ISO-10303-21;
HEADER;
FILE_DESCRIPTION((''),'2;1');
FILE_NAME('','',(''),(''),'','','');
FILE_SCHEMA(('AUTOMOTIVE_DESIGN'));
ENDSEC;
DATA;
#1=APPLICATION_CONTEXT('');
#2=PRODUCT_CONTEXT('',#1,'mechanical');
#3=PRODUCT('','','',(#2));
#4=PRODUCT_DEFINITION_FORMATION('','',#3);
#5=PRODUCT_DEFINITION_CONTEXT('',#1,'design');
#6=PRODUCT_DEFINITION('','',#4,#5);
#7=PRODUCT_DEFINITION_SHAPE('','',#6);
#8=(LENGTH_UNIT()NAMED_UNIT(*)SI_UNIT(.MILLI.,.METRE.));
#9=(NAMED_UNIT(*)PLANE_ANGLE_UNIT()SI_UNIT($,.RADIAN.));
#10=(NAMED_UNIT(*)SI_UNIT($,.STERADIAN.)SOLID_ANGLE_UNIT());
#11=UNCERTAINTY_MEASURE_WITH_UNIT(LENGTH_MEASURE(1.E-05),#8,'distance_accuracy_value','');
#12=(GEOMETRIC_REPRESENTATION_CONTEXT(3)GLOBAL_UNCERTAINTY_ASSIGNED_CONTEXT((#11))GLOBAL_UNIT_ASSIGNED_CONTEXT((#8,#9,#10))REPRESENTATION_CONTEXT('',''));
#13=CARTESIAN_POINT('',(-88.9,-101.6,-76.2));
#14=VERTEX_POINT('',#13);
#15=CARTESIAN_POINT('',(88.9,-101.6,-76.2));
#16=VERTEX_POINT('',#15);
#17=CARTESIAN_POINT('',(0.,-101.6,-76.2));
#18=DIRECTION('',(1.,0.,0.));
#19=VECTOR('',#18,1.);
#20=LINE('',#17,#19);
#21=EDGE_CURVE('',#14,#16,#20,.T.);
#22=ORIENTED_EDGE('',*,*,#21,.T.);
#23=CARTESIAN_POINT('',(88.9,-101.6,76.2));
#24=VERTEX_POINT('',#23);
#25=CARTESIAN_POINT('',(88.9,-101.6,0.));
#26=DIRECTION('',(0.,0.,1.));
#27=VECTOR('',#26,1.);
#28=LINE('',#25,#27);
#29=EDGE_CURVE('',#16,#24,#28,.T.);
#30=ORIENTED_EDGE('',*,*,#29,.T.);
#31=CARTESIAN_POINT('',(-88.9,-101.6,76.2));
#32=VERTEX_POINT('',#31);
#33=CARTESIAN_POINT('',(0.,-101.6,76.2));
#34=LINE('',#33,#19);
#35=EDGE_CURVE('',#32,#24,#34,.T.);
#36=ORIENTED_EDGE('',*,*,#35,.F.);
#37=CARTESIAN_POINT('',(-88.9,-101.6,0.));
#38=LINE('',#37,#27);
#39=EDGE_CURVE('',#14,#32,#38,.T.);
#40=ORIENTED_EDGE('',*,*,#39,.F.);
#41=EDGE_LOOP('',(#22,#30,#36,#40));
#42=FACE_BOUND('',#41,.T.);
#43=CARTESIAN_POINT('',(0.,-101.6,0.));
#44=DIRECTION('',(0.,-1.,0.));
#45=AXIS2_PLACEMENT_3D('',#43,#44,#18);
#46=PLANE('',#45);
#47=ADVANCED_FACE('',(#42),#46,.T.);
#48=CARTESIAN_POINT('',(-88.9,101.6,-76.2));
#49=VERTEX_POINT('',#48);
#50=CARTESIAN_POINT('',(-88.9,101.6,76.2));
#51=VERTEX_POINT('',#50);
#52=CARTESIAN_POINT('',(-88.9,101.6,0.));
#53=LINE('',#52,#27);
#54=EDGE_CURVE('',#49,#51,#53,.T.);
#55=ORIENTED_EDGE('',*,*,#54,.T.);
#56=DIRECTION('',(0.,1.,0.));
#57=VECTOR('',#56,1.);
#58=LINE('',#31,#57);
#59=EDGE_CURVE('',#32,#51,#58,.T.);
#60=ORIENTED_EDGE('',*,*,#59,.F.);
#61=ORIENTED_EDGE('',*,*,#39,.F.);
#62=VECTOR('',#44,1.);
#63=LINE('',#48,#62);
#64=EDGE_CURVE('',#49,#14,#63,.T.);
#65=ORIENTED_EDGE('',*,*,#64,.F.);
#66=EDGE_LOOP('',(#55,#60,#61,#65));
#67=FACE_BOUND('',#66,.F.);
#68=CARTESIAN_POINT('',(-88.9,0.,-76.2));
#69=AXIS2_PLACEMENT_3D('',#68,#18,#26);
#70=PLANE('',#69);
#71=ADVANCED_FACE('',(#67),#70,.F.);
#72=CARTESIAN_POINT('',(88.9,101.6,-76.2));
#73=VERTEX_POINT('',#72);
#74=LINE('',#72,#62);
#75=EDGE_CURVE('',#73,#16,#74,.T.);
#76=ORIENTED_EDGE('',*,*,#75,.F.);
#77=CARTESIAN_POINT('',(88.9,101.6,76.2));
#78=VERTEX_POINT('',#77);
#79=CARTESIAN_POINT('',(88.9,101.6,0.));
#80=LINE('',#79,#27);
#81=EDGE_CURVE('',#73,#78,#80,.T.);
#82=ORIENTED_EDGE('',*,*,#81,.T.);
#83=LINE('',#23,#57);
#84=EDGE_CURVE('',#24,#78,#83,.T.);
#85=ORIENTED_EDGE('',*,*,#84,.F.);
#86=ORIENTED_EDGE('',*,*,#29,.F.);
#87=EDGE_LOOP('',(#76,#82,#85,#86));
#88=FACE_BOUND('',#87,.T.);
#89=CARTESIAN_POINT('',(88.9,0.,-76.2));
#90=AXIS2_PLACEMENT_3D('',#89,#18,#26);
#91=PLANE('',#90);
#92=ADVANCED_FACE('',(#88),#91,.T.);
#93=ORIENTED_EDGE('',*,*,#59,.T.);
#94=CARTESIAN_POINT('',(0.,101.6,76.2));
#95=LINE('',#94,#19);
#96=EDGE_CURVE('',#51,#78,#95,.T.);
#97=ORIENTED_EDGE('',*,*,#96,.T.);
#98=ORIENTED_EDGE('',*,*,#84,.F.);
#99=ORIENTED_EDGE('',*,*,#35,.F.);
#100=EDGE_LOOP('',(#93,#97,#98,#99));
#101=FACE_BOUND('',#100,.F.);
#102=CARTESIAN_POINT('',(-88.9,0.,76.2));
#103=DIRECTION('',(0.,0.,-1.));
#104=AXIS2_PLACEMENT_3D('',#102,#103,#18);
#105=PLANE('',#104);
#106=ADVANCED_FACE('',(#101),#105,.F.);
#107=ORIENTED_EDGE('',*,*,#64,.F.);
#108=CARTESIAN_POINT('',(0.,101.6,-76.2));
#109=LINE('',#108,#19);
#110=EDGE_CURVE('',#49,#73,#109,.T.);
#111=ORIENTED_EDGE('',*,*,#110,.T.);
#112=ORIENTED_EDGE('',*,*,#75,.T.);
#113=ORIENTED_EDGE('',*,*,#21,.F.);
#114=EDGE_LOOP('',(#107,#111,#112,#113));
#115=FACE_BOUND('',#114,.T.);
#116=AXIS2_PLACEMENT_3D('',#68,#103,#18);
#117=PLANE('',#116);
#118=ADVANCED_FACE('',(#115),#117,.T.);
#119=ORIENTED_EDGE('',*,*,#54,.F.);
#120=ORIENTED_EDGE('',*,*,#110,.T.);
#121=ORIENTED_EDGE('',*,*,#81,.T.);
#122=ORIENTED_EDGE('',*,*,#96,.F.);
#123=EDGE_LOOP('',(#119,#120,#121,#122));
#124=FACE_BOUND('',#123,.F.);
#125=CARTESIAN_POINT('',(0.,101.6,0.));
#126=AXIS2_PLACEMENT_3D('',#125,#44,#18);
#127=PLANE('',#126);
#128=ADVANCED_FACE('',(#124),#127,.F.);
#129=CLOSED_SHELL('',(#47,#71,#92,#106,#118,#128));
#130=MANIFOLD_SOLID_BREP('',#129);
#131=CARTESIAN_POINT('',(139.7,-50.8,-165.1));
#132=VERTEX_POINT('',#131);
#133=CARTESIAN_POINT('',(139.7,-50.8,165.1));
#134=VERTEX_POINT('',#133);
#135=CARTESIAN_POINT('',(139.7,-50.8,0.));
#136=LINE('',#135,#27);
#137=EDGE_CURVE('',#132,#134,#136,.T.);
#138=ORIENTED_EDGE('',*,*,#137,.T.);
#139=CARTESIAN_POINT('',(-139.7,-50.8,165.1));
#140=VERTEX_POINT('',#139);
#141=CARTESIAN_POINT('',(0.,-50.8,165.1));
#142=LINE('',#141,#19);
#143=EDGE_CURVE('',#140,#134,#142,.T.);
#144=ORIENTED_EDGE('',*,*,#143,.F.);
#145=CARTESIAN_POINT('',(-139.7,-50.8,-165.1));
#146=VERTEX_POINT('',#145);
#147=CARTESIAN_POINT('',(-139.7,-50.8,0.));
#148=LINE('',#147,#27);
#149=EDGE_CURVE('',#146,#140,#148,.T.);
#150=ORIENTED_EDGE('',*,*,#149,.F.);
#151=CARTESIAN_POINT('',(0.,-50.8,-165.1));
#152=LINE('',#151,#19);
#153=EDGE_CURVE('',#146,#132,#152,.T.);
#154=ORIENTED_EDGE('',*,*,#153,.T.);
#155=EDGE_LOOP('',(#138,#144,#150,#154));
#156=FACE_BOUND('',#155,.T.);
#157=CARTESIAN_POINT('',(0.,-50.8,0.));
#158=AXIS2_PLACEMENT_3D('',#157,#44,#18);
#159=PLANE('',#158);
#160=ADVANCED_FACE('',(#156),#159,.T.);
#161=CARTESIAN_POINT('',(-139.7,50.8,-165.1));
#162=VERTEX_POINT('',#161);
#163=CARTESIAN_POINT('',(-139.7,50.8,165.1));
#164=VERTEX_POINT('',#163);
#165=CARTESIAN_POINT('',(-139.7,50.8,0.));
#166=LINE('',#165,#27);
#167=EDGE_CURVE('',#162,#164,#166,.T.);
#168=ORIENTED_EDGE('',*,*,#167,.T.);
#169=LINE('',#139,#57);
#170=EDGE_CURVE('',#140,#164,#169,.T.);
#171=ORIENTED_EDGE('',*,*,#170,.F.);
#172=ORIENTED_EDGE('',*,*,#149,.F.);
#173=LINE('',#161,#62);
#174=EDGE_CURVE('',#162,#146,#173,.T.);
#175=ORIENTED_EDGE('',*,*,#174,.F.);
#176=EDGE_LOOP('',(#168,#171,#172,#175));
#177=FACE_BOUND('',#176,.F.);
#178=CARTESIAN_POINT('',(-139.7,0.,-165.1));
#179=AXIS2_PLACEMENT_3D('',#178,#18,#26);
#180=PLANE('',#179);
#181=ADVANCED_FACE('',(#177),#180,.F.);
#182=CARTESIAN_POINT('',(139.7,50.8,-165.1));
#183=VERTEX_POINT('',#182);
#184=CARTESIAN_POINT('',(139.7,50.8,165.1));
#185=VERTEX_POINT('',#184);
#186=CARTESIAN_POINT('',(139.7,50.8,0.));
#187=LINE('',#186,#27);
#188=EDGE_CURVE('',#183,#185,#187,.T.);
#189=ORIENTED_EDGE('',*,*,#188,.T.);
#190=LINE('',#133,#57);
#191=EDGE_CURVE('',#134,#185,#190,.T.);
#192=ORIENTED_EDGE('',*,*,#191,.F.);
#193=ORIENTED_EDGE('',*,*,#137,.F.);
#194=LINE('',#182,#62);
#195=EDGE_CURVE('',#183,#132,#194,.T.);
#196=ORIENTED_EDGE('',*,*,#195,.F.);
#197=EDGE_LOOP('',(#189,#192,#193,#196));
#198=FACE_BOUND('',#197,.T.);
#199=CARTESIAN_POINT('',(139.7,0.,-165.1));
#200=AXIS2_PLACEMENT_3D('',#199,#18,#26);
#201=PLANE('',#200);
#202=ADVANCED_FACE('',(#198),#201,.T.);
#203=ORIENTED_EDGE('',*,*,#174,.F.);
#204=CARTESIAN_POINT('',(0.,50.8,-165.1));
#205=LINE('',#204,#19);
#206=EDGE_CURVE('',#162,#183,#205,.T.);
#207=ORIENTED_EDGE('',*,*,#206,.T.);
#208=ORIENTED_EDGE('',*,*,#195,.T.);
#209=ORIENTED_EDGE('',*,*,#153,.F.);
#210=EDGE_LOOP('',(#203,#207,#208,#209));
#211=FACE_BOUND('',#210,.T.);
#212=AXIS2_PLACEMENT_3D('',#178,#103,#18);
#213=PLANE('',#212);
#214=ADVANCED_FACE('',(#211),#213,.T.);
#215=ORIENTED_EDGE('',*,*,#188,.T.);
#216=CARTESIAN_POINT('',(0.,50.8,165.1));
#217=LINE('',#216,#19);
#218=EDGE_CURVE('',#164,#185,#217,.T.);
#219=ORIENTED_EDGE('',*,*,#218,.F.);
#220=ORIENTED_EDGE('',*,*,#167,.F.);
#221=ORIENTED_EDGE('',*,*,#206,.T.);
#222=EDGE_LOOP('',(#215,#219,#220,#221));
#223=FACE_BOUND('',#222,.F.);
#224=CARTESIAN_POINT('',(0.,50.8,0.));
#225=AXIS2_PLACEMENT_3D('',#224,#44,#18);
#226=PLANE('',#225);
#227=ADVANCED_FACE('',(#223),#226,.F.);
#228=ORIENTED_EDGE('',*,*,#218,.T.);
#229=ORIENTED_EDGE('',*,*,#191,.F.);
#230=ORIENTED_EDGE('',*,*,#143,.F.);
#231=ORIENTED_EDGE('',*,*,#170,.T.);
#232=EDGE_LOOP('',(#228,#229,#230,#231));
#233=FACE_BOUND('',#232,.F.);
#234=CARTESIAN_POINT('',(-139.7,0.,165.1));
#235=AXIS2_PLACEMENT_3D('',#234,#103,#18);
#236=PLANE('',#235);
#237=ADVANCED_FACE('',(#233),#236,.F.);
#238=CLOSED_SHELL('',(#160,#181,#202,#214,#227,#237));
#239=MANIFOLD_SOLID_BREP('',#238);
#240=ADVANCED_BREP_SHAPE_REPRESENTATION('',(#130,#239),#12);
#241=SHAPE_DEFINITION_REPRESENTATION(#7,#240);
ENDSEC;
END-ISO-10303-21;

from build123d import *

# Parameters (mm, degrees)
F0_W     = 279.4
F0_H     = 330.2
F1_DEPTH = 50.8
F2_W     = 177.8
F2_H     = 152.4
F3_DEPTH = 101.6


with BuildPart() as f1:
    # F0 (on Front) → F1 (new body, symmetric)
    with BuildSketch(Plane.XZ):
        Rectangle(F0_W, F0_H)
    extrude(amount=F1_DEPTH, both=True)


with BuildPart() as f3:
    # F2 (on Front) → F3 (new body, symmetric)
    with BuildSketch(Plane.XZ):
        Rectangle(F2_W, F2_H)
    extrude(amount=F3_DEPTH, both=True)


solid = Compound([f1.part, f3.part])
